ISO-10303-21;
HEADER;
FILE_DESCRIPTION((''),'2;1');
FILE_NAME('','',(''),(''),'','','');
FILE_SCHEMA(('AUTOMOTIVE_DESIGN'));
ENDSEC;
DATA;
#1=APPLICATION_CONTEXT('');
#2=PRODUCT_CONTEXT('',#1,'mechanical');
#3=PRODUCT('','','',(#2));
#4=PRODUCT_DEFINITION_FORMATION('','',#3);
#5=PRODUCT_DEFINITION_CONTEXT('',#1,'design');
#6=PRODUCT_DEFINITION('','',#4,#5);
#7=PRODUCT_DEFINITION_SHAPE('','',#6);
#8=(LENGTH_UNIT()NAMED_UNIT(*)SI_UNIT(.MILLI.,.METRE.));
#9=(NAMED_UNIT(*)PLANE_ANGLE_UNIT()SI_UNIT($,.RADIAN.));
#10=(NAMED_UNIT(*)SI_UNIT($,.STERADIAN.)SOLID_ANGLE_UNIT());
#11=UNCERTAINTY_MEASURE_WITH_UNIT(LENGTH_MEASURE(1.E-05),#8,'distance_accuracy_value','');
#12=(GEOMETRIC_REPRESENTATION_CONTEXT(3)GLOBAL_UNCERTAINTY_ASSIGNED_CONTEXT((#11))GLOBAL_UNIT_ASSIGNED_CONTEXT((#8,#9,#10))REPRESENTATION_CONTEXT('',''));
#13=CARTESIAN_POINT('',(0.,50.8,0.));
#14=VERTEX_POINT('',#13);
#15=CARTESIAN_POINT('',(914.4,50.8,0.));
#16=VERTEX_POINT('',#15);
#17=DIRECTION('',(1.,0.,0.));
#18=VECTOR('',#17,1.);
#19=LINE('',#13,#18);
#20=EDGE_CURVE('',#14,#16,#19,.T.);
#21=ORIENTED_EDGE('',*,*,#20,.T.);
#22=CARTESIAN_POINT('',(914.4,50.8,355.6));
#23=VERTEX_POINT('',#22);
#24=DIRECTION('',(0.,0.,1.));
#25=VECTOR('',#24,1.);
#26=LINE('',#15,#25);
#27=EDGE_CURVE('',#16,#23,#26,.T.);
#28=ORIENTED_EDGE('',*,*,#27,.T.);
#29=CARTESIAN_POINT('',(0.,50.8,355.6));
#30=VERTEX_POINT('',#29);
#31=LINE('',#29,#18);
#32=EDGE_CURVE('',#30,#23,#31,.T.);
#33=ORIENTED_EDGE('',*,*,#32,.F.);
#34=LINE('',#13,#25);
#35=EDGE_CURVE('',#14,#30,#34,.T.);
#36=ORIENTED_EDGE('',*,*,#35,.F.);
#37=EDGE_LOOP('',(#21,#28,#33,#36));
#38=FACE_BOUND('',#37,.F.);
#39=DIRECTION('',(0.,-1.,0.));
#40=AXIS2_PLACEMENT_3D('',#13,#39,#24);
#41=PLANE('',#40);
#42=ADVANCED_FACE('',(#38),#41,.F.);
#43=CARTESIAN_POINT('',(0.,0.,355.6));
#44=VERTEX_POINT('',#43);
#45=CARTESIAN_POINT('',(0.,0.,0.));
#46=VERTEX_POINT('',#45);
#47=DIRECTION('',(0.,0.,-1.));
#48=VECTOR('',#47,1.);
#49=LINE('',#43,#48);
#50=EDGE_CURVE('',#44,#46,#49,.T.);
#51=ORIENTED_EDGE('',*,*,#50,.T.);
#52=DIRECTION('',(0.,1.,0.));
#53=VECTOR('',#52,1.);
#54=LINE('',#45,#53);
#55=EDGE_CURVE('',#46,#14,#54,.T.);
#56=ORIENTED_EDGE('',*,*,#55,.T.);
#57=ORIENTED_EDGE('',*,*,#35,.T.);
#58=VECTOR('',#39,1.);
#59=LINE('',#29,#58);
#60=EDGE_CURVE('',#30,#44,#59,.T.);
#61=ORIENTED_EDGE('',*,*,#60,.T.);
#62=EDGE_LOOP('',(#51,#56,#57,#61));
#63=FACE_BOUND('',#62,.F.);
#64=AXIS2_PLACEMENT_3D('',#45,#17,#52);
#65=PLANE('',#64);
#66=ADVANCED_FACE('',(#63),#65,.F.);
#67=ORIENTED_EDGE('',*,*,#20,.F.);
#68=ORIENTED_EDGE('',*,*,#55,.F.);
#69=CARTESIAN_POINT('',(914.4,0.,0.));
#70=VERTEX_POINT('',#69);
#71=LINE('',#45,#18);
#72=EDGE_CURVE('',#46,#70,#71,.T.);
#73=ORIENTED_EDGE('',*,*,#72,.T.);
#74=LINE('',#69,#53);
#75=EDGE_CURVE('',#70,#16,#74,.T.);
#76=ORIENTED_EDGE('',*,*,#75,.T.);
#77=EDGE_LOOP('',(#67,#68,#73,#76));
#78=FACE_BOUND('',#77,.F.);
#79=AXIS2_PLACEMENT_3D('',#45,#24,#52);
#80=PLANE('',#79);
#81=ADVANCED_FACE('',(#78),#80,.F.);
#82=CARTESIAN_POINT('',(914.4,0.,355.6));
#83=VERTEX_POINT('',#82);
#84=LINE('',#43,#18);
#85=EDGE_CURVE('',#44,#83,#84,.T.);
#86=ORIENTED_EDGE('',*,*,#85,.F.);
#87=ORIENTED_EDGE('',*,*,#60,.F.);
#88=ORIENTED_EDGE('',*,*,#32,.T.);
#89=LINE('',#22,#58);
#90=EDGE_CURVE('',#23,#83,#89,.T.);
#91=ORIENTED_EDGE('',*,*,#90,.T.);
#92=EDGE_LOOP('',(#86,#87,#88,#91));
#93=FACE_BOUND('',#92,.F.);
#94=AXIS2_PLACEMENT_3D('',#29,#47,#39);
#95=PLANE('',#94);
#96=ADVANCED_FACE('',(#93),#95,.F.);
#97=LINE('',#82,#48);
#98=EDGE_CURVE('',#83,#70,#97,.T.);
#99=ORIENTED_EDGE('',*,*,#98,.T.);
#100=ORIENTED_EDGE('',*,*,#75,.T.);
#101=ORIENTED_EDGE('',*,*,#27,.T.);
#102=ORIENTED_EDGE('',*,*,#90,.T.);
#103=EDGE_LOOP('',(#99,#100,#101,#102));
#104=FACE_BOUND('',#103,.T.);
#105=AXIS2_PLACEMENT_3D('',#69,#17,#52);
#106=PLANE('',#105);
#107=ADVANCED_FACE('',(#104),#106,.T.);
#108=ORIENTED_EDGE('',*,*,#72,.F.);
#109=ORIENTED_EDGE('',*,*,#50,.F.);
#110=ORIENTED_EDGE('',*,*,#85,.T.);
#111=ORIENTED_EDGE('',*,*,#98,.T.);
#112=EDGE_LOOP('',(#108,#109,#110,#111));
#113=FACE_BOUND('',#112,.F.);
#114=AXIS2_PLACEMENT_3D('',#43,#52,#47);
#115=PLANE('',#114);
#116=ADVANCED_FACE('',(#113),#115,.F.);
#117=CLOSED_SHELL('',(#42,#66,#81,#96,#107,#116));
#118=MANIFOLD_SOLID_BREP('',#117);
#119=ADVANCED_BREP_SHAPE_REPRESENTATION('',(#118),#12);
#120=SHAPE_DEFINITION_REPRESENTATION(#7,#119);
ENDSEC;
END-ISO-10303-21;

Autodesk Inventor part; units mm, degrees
ref_plane "YZ Plane" through (0, 0, 0) normal (1, 0, 0) x (0, 1, 0)
ref_plane "XZ Plane" through (0, 0, 0) normal (0, 1, 0) x (-1, 0, 0)
ref_plane "XY Plane" through (0, 0, 0) normal (0, 0, 1) x (1, 0, 0)
sketch "Sketch1" plane through (0, 0, 0) normal (1, 0, 0) x (0, 1, 0)
  line L0 (0, 0) -> (50.8, 0)
  line L1 (50.8, 0) -> (50.8, 355.6)
  line L2 (50.8, 355.6) -> (0, 355.6)
  line L3 (0, 355.6) -> (0, 0)
  dimension "d0" = 50.8
  dimension "d1" = 355.6
extrude "Extrusion1" add sketch "Sketch1" along normal blind 914.4
properties part number "2x14x36-18" material "Granite, Cut, Polished"
